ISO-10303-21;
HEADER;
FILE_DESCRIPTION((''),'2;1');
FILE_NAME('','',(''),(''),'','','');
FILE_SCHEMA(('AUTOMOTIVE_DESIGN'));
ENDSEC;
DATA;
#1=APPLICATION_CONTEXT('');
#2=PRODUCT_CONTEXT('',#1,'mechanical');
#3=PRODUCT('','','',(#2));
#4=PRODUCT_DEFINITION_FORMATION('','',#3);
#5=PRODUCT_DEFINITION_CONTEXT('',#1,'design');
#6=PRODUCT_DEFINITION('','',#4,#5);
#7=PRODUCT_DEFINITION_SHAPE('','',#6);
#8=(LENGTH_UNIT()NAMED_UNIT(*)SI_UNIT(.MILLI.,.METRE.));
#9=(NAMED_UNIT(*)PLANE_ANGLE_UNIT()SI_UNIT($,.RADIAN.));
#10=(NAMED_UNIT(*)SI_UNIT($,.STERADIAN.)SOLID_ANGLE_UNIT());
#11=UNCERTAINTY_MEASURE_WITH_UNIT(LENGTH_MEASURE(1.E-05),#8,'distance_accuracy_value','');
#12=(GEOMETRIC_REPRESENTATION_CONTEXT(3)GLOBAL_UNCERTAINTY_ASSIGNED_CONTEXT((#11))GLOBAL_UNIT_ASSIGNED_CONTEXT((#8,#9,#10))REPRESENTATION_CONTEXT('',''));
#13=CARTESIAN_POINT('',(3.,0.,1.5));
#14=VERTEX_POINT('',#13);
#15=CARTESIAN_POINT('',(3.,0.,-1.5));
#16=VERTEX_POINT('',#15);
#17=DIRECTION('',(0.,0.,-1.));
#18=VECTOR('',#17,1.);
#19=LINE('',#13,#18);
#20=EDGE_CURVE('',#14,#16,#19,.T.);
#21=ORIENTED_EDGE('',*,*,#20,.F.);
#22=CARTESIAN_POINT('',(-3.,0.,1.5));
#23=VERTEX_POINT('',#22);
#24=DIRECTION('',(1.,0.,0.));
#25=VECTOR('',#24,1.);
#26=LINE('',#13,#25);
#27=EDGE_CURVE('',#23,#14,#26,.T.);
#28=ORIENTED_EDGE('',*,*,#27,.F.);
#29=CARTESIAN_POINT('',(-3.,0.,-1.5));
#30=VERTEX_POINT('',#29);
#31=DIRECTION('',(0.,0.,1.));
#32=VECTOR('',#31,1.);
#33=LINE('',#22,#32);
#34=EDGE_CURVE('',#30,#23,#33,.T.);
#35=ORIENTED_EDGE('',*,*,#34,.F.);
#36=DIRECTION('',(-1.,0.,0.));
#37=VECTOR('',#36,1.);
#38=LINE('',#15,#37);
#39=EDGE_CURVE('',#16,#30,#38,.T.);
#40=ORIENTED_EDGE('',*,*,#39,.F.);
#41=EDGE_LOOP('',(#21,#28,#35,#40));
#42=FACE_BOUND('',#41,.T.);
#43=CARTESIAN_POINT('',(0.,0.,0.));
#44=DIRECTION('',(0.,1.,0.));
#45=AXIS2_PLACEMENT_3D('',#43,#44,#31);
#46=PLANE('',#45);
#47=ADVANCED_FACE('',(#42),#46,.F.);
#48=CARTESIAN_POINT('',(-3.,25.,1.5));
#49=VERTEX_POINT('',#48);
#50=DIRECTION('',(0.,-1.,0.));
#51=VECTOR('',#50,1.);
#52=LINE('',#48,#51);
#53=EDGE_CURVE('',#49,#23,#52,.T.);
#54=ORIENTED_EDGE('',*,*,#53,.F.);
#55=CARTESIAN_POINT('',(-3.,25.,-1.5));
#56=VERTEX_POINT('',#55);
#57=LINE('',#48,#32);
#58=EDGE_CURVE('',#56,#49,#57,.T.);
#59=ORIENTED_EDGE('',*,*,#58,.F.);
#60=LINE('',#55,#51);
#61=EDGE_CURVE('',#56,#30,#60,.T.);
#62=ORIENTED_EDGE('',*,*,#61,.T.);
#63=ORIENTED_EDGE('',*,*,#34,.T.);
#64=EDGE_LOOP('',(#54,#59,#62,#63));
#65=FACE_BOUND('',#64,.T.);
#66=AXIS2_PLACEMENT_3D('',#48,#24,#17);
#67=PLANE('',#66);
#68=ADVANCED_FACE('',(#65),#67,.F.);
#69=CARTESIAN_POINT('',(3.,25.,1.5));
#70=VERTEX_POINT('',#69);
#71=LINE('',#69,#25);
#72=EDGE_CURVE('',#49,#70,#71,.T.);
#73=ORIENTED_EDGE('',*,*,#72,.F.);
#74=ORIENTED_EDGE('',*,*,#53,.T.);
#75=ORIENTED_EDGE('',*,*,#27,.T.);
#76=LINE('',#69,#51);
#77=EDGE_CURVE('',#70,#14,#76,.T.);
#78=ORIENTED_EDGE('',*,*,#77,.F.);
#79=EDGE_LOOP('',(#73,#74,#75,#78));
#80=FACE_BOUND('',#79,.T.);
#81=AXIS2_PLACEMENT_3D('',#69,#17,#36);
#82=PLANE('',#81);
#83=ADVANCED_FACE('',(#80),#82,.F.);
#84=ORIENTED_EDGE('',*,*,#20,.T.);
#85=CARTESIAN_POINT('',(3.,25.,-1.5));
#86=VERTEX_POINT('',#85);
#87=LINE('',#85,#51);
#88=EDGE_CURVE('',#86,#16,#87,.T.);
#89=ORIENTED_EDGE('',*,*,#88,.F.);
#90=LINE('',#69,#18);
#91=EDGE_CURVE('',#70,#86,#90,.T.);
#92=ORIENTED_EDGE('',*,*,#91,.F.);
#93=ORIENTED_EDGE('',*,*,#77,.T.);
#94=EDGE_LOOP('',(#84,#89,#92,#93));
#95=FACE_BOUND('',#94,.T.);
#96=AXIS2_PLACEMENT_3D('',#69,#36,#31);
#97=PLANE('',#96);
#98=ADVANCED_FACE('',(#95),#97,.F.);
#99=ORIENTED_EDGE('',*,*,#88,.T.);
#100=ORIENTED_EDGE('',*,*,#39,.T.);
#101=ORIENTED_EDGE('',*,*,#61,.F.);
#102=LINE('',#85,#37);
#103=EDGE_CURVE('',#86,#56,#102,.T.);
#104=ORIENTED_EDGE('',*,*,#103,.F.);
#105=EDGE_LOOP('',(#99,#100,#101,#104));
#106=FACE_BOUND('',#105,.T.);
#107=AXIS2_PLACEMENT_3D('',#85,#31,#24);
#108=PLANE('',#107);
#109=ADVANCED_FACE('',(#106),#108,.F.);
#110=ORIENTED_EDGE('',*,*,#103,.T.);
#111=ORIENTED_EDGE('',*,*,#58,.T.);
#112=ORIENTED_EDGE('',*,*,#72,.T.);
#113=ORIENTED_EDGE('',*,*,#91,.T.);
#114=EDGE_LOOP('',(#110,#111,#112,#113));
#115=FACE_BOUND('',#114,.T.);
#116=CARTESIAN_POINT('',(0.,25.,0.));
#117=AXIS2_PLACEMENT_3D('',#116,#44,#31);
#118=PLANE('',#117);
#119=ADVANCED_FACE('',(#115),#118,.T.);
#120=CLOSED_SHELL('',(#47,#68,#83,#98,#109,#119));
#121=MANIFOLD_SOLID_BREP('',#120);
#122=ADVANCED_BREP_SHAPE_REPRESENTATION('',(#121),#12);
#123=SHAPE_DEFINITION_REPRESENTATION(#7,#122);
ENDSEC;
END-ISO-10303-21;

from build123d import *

# Parameters (mm, degrees)
SKETCH1_W        = 6
SKETCH1_H        = 3
KEY_6X3X25_DEPTH = 25


with BuildPart() as part:
    # Sketch1 → Key_6x3x25 (new body)
    with BuildSketch(Plane(origin=(0, 0, 0), x_dir=(1, 0, 0), z_dir=(0, 1, 0))):
        Rectangle(SKETCH1_W, SKETCH1_H)
    extrude(amount=KEY_6X3X25_DEPTH)


solid = part.part
